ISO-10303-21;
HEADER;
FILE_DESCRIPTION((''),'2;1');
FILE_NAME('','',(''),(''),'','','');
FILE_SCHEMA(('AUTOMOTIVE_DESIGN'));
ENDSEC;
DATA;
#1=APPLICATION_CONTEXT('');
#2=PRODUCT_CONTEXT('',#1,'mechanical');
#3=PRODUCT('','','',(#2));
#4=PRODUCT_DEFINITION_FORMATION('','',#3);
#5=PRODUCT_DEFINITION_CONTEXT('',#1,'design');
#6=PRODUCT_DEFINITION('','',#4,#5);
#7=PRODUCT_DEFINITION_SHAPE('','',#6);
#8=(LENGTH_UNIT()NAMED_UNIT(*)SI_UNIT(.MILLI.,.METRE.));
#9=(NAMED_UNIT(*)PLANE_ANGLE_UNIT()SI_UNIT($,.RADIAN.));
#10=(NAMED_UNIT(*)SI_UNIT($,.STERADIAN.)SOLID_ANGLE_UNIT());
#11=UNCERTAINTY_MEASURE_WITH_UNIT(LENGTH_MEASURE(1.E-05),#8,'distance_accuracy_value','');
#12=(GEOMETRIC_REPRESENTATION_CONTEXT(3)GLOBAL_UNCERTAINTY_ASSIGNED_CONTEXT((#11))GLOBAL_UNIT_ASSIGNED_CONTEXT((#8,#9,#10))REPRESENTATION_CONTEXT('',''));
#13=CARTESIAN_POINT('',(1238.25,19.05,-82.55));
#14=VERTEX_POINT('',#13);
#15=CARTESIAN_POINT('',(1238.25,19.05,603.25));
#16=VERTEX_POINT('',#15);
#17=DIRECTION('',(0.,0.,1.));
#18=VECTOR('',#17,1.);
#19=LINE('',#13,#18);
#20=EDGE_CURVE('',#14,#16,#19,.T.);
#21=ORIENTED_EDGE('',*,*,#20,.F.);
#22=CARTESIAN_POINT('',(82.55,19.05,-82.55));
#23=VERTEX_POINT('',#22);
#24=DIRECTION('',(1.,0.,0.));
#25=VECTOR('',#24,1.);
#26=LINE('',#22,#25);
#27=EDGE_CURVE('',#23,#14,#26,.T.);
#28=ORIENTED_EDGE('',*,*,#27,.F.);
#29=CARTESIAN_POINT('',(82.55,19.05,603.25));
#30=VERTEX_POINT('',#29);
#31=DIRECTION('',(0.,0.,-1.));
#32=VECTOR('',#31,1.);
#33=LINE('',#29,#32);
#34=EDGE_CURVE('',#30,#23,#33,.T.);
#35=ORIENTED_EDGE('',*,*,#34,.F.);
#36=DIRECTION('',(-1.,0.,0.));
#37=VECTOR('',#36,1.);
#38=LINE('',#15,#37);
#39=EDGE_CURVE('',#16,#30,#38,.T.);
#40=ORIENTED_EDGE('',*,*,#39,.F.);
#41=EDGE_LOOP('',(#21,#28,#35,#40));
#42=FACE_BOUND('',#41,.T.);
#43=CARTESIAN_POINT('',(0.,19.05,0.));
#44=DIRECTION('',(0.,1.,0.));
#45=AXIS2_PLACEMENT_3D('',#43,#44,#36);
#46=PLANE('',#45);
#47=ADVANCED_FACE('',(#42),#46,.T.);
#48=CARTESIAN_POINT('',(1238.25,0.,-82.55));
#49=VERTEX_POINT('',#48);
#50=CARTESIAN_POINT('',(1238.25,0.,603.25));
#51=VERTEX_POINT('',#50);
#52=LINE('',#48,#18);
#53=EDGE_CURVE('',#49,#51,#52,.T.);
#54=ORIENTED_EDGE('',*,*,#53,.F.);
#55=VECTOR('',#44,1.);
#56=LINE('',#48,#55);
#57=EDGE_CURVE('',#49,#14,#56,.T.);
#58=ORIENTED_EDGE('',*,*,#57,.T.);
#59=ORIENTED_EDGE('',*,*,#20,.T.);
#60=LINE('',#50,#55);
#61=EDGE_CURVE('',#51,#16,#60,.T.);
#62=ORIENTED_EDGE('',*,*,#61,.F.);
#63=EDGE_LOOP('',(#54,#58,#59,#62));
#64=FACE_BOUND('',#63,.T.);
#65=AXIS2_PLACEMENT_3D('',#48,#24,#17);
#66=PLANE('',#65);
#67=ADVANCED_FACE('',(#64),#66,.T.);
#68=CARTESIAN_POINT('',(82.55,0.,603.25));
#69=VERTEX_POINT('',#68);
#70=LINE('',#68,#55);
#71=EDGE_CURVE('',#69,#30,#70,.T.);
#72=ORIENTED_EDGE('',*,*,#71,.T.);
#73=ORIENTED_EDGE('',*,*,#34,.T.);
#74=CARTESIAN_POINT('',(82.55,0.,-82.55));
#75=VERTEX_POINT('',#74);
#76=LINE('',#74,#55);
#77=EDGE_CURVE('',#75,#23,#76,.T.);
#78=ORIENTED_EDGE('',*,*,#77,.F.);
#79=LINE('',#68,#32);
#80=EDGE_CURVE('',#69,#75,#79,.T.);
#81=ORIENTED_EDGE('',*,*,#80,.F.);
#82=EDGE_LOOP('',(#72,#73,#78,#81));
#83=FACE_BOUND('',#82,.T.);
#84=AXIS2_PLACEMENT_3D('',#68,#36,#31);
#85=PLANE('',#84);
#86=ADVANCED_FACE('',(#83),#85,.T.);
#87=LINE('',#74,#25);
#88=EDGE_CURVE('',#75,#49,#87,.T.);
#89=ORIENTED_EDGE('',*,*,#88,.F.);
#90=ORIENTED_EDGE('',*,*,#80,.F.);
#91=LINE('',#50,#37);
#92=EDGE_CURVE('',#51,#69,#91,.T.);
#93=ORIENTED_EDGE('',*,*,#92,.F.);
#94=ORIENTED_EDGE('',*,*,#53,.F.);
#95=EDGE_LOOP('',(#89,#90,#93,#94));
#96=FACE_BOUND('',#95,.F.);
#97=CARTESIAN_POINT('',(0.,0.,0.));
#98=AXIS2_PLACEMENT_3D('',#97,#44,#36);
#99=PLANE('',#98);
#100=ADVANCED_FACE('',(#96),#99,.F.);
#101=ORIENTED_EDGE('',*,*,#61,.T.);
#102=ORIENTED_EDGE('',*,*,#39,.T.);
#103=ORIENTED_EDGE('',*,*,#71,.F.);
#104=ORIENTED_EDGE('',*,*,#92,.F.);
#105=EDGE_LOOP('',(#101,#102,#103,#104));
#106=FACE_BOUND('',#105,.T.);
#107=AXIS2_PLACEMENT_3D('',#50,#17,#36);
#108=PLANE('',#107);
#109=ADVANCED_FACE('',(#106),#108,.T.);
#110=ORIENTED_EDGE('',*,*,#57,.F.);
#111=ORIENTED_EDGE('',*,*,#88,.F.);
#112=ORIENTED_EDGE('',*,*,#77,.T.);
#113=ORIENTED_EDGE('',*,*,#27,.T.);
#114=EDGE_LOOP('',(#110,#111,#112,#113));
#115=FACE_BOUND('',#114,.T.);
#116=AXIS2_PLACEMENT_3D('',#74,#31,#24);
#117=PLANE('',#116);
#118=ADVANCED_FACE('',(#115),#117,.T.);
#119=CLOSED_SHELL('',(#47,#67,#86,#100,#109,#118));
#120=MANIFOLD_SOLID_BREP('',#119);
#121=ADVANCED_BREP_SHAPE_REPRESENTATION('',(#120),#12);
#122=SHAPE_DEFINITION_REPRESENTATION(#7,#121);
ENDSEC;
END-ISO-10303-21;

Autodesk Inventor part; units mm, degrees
ref_plane "YZ Plane" through (0, 0, 0) normal (1, 0, 0) x (0, 1, 0)
ref_plane "XZ Plane" through (0, 0, 0) normal (0, 1, 0) x (-1, 0, 0)
ref_plane "XY Plane" through (0, 0, 0) normal (0, 0, 1) x (1, 0, 0)
sketch "Sketch1" plane through (0, 0, 0) normal (0, 1, 0) x (-1, 0, 0)
  line L0 (-82.55, -82.55) -> (-1238.25, -82.55)
  line L1 (-1238.25, 603.25) -> (-82.55, 603.25)
  line L2 (-82.55, 603.25) -> (-82.55, -82.55)
  line L3 (-1238.25, -82.55) -> (-1238.25, 603.25)
  dimension "d20" = 685.8
  dimension "d21" = 1155.7
extrude "Extrusion1" add sketch "Sketch1" along normal blind 19.05
properties part number "cart top" material "Wood (Birch)"
